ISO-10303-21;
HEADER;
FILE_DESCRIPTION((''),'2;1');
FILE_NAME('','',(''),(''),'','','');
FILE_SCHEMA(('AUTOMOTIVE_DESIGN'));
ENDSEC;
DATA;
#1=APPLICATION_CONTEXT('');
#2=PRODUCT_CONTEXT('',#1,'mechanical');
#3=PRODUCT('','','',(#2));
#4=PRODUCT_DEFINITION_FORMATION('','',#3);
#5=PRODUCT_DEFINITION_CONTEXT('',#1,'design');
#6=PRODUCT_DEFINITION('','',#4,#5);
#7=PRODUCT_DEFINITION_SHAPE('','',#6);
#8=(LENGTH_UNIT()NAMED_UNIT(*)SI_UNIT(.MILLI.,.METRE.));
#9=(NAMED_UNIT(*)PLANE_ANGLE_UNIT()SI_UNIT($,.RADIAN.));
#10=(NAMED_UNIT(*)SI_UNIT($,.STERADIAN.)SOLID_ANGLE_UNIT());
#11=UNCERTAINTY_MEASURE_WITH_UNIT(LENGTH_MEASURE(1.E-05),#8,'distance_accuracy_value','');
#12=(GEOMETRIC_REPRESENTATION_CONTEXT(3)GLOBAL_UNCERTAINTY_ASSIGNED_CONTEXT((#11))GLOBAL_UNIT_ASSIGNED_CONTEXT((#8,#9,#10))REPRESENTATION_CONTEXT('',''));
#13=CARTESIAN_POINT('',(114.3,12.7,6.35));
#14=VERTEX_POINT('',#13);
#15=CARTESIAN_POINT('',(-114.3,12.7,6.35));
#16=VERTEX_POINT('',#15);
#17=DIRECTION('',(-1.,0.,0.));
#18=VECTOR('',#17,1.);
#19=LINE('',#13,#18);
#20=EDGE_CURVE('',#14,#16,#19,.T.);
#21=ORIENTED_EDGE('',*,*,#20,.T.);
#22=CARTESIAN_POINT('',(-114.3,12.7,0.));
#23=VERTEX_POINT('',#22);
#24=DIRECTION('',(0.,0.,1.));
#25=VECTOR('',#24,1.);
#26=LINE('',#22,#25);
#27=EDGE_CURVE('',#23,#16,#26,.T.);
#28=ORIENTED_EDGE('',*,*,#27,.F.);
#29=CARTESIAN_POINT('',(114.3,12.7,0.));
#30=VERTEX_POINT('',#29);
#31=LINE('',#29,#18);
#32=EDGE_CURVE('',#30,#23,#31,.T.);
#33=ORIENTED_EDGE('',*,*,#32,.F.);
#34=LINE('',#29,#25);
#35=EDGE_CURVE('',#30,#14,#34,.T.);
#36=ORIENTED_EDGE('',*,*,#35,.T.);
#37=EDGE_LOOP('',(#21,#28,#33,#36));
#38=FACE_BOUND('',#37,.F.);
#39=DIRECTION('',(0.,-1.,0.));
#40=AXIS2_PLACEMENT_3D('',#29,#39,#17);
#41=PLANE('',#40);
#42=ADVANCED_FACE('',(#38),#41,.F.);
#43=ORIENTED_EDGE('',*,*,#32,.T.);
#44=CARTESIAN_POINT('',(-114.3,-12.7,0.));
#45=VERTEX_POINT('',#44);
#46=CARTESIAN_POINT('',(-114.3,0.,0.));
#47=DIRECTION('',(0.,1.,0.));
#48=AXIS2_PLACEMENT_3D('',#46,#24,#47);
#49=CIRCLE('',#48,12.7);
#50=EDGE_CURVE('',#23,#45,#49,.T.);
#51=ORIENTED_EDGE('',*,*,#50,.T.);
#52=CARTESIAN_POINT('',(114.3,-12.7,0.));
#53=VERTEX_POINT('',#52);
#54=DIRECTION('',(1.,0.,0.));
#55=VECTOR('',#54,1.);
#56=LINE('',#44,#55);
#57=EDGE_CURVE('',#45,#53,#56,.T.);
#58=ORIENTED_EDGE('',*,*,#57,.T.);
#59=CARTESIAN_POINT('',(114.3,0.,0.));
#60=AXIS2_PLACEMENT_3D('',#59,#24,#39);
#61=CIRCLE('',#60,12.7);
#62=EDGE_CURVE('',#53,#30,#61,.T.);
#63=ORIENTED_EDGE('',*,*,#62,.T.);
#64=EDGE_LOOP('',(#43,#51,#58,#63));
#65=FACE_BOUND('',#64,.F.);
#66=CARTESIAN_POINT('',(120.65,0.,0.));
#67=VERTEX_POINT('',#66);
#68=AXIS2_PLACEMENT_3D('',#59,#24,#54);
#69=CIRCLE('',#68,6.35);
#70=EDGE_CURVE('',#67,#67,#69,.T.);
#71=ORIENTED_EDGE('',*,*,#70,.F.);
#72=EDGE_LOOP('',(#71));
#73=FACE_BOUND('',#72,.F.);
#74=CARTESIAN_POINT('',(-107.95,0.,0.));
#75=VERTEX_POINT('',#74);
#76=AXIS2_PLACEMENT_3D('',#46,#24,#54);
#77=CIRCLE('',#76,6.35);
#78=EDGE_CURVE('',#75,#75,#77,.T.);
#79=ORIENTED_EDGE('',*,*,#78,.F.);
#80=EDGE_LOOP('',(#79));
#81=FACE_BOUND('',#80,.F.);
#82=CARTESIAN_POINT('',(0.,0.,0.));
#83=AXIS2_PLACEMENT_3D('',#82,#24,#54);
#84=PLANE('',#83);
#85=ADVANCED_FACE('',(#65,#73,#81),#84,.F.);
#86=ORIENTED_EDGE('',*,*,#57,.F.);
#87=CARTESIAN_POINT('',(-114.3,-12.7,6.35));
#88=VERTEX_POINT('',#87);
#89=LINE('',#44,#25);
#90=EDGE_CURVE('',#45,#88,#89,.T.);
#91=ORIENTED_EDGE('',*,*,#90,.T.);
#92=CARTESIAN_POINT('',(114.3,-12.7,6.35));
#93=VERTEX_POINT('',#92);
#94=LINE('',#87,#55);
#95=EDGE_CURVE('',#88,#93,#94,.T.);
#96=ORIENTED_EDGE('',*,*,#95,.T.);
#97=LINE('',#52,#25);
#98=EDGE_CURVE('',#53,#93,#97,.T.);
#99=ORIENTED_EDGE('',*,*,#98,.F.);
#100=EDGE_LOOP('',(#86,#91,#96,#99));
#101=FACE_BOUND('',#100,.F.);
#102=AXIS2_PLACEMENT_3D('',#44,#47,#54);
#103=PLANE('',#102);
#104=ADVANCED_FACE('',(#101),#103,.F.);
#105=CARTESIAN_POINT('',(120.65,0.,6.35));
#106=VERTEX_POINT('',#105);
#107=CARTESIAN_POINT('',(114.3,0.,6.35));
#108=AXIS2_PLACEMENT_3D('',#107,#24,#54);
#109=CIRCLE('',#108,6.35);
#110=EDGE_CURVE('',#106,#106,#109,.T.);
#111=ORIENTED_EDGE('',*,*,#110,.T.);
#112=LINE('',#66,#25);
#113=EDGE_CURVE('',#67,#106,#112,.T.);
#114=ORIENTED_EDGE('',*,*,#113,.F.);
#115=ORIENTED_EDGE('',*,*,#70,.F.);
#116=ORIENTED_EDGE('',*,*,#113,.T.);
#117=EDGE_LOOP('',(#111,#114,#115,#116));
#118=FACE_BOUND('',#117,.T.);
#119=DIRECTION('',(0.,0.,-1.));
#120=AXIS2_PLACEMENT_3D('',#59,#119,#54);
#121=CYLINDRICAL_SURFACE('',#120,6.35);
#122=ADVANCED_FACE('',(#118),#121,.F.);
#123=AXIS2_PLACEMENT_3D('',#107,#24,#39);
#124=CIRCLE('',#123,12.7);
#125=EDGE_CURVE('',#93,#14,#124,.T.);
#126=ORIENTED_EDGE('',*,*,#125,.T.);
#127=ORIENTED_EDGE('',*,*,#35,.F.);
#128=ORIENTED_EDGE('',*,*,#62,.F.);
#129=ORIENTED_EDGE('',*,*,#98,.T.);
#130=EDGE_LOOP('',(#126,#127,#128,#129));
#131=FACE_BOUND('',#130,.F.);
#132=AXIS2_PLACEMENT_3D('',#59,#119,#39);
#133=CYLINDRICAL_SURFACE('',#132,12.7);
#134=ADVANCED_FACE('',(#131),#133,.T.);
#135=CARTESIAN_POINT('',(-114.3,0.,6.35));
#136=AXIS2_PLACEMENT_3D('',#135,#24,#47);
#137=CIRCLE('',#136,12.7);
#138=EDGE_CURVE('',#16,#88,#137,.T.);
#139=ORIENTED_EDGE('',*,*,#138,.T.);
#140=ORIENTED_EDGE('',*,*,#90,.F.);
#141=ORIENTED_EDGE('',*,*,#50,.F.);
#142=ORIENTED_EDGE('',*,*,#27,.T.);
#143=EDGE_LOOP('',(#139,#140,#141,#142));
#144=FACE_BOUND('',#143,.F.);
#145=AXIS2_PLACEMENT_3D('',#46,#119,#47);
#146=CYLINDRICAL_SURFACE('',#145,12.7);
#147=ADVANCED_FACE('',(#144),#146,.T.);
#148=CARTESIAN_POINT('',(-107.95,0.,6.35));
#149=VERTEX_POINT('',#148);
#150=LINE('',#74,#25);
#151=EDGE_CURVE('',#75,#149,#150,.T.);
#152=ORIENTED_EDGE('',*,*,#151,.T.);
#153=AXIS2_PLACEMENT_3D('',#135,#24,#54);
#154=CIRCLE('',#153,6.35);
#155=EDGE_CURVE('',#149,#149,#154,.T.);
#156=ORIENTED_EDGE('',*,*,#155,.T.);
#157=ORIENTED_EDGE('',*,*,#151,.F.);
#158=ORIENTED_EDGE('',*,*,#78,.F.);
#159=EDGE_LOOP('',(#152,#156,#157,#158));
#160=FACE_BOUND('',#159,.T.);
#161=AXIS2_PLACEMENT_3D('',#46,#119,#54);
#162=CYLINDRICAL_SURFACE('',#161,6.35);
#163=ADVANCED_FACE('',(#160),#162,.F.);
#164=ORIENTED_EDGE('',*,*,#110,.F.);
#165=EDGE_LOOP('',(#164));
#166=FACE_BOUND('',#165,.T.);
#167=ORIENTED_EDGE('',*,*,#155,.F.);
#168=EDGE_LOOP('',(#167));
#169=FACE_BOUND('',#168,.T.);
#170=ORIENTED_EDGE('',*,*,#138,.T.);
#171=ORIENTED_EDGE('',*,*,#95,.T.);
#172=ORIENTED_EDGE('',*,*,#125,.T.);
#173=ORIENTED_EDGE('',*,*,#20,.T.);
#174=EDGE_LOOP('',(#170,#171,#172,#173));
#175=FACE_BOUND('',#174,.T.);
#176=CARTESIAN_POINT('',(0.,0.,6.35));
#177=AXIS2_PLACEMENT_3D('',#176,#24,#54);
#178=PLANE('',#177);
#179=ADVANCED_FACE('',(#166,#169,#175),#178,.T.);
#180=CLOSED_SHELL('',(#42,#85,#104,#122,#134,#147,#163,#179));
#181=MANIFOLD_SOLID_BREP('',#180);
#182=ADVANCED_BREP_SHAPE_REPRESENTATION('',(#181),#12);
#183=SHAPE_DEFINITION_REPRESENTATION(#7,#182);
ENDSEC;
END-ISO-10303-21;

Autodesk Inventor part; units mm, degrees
ref_plane "YZ Plane" through (0, 0, 0) normal (1, 0, 0) x (0, 1, 0)
ref_plane "XZ Plane" through (0, 0, 0) normal (0, 1, 0) x (-1, 0, 0)
ref_plane "XY Plane" through (0, 0, 0) normal (0, 0, 1) x (1, 0, 0)
sketch "Sketch1" plane through (0, 0, 0) normal (0, 0, 1) x (1, 0, 0)
  line L0 (-114.3, 0) -> (114.3, 0) construction
  line L1 (-114.3, -12.7) -> (114.3, -12.7)
  line L2 (114.3, 12.7) -> (-114.3, 12.7)
  arc A0 (-114.3, 12.7) -> (-114.3, -12.7) centre (-114.3, 0) ccw
  arc A1 (114.3, -12.7) -> (114.3, 12.7) centre (114.3, 0) ccw
  circle A2 centre (-114.3, 0) radius 6.35
  circle A3 centre (114.3, 0) radius 6.35
  point P0 (0, 0)
  dimension "d0" = 114.3
  dimension "d1" = 25.4
  dimension "d2" = 12.7
  dimension "d3" = 12.7
extrude "Extrusion1" add sketch "Sketch1" along normal blind 6.35
properties part number "CS-Rod"
